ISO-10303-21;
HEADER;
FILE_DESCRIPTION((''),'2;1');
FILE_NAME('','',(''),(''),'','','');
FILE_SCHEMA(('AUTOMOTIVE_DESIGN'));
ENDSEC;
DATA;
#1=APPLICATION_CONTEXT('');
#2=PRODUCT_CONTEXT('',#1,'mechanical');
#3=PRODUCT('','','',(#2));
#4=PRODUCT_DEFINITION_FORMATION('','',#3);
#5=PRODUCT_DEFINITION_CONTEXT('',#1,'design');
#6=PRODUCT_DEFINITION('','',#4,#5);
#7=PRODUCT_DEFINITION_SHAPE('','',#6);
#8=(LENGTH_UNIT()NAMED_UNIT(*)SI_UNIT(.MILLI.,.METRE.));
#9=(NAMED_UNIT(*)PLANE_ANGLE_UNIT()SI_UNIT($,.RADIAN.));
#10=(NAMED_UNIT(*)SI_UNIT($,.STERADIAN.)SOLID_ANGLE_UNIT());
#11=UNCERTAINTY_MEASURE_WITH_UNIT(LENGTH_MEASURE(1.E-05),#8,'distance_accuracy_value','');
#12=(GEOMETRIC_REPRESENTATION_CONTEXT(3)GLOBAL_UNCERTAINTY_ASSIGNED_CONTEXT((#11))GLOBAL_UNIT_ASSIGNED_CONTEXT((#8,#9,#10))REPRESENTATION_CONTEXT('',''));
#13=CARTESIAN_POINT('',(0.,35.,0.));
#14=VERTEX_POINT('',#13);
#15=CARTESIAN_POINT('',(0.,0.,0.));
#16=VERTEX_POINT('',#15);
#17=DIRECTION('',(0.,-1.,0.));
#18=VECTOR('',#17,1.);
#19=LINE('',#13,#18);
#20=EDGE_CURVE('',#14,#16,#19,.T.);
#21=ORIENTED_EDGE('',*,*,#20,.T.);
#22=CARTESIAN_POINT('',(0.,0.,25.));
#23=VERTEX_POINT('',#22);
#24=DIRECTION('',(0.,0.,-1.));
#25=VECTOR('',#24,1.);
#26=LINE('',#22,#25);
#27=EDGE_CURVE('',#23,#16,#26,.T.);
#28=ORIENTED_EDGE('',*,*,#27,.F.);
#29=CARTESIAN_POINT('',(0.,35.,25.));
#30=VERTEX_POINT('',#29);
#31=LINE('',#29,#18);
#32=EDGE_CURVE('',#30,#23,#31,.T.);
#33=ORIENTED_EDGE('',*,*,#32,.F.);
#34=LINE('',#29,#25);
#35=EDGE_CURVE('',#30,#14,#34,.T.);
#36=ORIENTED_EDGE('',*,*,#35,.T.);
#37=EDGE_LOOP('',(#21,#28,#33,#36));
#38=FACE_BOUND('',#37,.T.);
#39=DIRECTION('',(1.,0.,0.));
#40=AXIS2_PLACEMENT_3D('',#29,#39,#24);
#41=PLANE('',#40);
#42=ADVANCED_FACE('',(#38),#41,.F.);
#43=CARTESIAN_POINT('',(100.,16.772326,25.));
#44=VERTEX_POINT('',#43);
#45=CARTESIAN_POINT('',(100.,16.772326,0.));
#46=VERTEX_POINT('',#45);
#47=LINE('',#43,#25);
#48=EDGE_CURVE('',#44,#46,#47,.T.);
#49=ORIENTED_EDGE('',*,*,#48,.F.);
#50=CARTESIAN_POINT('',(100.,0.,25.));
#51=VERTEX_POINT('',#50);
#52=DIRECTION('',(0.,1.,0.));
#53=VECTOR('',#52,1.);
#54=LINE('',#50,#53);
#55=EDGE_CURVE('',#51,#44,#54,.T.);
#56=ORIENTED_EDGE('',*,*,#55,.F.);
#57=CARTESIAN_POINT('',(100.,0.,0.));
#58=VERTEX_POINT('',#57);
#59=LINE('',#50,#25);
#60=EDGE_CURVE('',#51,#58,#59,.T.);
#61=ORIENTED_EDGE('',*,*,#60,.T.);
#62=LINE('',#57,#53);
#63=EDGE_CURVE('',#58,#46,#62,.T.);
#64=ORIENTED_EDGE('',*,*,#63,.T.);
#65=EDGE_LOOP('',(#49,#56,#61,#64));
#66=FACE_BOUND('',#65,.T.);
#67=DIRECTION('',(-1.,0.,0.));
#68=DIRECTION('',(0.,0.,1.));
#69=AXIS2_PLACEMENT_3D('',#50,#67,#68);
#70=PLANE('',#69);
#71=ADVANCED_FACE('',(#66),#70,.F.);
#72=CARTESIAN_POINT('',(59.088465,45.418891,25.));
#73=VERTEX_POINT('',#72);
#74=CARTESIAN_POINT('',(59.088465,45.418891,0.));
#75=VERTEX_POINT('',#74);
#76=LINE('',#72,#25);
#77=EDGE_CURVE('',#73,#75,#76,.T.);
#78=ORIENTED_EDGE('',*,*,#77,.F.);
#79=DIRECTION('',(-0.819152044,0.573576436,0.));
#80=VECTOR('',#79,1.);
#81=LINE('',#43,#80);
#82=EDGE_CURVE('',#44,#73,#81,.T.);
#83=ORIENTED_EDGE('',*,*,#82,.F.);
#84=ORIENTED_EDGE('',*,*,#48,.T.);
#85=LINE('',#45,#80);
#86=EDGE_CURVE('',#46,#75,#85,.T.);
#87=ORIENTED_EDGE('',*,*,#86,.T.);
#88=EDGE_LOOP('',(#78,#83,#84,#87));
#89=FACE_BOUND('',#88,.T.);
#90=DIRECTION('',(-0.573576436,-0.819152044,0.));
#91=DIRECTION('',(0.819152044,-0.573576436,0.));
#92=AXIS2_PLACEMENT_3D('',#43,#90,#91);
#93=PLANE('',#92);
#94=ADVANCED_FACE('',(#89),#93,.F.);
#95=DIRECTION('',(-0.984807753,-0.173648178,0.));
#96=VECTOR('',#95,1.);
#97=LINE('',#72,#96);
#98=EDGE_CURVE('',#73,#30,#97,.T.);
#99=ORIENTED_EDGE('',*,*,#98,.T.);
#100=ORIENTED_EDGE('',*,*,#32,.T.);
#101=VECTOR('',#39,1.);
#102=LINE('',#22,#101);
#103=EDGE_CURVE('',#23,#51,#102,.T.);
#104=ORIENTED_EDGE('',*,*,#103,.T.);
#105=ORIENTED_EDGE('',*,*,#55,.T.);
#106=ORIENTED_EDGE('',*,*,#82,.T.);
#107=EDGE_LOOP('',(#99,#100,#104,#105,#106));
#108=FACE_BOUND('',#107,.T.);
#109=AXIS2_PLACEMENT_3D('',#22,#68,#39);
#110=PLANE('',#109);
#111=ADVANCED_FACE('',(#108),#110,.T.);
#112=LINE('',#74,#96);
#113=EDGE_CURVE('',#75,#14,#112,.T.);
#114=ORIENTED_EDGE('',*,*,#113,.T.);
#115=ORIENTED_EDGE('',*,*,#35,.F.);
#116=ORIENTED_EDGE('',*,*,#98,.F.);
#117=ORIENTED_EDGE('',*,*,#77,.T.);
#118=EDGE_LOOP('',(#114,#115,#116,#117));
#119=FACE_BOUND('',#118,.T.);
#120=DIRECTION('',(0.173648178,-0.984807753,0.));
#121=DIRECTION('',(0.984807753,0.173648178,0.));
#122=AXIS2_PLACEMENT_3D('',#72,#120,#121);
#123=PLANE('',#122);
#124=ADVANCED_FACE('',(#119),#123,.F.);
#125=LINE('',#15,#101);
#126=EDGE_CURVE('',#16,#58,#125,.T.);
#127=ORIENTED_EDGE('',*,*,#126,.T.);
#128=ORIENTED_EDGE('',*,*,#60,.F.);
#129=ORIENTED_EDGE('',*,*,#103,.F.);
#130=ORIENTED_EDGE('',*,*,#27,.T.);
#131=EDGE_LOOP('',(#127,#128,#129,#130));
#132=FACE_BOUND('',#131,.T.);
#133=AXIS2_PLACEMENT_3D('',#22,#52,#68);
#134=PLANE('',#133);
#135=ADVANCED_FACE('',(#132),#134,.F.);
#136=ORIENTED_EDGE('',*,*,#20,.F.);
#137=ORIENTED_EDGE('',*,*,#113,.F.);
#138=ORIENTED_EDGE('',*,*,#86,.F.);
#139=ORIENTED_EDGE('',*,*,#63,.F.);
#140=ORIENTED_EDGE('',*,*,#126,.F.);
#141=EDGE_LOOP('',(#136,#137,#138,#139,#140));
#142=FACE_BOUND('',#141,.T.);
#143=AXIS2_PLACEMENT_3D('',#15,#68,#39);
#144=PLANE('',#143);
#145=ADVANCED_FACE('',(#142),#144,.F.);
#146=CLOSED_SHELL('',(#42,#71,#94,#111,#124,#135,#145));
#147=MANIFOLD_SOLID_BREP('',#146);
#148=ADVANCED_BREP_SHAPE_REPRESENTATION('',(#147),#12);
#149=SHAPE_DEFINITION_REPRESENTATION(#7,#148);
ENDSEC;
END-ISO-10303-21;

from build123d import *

# Parameters (mm, degrees)
BOSS_EXTRUDE1_DEPTH = 25


with BuildPart() as part:
    # Sketch2 → Boss-Extrude1 (new body)
    with BuildSketch(Plane.XY):
        Polygon((0, 0), (100, 0), (100, 16.77232558), (59.088465181, 45.41889066), (0, 35), align=None)
    extrude(amount=BOSS_EXTRUDE1_DEPTH)


solid = part.part
